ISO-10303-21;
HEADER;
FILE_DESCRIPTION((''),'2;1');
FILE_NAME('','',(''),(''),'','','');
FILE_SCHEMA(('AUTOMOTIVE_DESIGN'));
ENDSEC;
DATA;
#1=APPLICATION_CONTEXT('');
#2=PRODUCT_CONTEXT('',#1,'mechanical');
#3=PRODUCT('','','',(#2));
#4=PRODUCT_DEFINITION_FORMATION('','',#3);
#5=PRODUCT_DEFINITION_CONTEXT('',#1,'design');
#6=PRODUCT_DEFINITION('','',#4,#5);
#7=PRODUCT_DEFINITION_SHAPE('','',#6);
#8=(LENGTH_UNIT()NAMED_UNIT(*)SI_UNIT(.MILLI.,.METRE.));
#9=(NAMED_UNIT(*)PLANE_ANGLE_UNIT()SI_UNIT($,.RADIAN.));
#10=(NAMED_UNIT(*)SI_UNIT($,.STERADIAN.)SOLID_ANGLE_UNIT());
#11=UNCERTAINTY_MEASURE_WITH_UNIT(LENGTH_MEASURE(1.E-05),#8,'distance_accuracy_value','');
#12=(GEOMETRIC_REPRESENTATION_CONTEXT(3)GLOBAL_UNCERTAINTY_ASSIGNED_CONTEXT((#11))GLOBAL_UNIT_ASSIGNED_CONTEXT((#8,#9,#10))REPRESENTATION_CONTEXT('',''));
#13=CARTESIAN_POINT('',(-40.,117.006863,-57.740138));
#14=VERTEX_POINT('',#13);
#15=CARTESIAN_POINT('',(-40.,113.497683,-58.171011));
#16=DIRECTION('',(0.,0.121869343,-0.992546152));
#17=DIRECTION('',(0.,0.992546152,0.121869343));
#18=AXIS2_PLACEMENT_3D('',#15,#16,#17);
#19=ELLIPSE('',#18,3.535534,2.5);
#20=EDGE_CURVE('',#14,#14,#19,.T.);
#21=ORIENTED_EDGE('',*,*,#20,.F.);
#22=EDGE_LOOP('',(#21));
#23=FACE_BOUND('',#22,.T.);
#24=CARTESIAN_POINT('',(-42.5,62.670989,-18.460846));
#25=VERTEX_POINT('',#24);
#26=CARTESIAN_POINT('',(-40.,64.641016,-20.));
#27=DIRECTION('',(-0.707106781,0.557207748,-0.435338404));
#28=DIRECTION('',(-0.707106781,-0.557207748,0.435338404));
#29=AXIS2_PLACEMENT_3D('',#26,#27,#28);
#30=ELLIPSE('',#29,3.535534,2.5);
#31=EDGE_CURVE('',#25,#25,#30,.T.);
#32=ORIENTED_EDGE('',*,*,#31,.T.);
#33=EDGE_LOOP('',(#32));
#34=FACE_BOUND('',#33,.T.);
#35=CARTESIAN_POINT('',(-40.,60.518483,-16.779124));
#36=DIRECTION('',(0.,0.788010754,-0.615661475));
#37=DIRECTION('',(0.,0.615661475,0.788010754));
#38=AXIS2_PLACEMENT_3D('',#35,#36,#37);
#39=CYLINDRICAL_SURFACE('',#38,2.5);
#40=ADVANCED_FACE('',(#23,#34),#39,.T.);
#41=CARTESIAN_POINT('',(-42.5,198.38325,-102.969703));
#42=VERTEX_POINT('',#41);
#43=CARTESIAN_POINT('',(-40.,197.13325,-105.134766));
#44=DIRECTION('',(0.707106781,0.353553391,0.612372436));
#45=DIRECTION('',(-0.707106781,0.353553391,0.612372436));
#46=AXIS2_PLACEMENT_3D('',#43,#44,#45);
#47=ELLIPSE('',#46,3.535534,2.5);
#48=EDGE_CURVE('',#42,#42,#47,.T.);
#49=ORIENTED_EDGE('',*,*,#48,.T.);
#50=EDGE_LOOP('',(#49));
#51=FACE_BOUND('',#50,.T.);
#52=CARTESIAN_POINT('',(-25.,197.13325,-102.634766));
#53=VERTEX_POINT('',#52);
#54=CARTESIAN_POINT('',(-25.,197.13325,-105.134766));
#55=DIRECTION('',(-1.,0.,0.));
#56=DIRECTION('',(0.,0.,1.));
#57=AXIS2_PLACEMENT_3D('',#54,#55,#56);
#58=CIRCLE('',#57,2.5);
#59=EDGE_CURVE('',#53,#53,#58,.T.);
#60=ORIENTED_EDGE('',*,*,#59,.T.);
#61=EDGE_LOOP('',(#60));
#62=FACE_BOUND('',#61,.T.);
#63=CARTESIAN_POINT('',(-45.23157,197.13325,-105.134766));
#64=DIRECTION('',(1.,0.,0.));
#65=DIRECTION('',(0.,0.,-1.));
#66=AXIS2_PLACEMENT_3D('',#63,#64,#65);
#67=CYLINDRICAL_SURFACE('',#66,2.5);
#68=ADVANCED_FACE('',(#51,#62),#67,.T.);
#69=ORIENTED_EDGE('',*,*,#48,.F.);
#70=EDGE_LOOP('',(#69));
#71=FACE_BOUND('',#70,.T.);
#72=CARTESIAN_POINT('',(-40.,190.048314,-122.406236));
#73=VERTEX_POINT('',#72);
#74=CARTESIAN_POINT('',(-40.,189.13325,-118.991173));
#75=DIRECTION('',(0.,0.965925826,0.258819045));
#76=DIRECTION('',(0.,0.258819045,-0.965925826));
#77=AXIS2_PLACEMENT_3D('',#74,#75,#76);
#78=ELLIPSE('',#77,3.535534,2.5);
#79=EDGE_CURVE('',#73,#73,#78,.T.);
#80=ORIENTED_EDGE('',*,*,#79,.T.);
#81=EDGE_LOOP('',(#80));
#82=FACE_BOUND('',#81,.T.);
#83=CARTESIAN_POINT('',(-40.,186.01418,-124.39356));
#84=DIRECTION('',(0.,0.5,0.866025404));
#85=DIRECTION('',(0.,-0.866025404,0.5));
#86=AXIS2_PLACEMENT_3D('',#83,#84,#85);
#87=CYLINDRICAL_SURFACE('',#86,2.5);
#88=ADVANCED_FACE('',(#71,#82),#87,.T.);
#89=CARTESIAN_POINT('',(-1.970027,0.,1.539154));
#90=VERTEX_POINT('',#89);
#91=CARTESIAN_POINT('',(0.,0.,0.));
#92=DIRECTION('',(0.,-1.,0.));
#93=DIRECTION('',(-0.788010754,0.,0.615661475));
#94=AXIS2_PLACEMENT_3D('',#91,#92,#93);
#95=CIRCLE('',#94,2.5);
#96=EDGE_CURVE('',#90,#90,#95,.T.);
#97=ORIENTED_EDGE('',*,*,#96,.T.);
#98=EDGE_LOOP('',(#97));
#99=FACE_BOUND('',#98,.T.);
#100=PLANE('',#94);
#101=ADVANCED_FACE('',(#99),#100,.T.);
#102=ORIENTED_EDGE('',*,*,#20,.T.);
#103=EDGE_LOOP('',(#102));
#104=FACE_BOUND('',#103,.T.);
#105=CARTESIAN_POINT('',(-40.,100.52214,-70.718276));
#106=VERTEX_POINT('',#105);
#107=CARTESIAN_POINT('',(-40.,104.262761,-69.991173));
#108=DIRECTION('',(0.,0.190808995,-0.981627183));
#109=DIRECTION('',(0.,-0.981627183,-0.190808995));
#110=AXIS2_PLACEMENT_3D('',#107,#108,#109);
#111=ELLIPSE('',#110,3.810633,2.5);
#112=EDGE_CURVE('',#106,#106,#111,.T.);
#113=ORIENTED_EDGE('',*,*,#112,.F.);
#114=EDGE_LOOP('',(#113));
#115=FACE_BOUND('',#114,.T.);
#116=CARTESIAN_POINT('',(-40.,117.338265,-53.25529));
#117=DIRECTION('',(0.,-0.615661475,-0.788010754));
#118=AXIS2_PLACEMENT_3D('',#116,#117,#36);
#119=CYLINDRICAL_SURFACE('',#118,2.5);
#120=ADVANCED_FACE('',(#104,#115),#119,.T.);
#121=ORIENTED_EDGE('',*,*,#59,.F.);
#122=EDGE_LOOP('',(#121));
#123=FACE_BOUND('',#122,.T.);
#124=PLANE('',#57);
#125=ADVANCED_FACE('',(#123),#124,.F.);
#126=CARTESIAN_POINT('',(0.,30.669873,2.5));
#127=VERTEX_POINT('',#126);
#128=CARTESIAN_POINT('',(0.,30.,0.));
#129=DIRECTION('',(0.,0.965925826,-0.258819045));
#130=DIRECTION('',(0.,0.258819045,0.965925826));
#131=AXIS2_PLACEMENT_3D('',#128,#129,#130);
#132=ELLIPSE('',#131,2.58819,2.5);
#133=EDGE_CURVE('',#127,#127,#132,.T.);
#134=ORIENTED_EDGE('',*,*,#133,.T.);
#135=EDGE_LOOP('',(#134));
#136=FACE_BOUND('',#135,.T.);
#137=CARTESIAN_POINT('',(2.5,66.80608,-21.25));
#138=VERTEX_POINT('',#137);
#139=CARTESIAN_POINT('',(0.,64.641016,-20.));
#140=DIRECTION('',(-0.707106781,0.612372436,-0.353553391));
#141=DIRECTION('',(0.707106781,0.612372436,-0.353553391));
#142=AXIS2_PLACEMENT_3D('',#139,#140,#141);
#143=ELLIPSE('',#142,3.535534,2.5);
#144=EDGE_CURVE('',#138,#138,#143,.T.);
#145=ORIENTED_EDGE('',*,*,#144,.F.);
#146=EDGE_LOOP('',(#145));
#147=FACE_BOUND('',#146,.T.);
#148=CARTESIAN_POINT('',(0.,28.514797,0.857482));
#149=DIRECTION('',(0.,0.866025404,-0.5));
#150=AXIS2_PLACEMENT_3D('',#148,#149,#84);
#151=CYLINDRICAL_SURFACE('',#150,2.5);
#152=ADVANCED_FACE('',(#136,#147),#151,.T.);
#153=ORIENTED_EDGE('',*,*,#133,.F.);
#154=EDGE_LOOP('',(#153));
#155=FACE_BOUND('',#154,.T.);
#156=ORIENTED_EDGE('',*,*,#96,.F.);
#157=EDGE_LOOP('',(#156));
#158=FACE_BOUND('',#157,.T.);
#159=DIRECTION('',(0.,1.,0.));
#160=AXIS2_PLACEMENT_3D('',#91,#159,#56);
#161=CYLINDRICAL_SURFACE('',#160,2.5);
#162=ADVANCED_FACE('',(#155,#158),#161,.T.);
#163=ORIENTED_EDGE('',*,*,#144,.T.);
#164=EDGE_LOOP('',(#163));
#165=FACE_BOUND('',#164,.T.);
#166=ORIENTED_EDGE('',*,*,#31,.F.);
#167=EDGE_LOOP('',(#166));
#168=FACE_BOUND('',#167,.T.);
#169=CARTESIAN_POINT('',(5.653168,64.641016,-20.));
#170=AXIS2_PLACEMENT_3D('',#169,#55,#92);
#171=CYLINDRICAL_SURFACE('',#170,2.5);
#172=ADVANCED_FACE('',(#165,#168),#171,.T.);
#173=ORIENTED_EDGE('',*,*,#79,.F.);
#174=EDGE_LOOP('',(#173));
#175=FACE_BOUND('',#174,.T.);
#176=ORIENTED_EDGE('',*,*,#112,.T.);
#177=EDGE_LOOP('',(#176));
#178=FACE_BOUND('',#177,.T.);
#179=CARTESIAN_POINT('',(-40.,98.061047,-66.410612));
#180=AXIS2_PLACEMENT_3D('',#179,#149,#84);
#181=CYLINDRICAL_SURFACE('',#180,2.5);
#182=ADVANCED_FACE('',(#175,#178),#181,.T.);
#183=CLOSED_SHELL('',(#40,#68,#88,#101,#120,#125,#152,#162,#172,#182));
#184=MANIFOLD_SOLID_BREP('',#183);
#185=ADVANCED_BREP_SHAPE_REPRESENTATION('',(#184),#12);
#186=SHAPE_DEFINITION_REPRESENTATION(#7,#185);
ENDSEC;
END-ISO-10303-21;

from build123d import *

# Parameters (mm, degrees)
SWEEP1_PROFILE_R = 2.5


with BuildPart() as part:
    # Sweep1: sweep along a curve in space
    with BuildLine() as sweep1_path:
        Line((0, 0, 0), (0, 30, 0))
        Line((0, 30, 0), (0, 64.641016151, -20))
        Line((0, 64.641016151, -20), (-40, 64.641016151, -20))
        Line((-40, 64.641016151, -20), (-40, 113.497682875, -58.17101147))
        Line((-40, 113.497682875, -58.17101147), (-40, 104.262760745, -69.991172774))
        Line((-40, 104.262760745, -69.991172774), (-40, 189.133250316, -118.991172774))
        Line((-40, 189.133250316, -118.991172774), (-40, 197.133250316, -105.134766314))
        Line((-40, 197.133250316, -105.134766314), (-25, 197.133250316, -105.134766314))
    # Sweep1 profile (on start of the path) → Sweep1 (sweep)
    with BuildSketch(Plane.ZX):
        Circle(SWEEP1_PROFILE_R)
    sweep(path=sweep1_path.line, transition=Transition.RIGHT)


solid = part.part
